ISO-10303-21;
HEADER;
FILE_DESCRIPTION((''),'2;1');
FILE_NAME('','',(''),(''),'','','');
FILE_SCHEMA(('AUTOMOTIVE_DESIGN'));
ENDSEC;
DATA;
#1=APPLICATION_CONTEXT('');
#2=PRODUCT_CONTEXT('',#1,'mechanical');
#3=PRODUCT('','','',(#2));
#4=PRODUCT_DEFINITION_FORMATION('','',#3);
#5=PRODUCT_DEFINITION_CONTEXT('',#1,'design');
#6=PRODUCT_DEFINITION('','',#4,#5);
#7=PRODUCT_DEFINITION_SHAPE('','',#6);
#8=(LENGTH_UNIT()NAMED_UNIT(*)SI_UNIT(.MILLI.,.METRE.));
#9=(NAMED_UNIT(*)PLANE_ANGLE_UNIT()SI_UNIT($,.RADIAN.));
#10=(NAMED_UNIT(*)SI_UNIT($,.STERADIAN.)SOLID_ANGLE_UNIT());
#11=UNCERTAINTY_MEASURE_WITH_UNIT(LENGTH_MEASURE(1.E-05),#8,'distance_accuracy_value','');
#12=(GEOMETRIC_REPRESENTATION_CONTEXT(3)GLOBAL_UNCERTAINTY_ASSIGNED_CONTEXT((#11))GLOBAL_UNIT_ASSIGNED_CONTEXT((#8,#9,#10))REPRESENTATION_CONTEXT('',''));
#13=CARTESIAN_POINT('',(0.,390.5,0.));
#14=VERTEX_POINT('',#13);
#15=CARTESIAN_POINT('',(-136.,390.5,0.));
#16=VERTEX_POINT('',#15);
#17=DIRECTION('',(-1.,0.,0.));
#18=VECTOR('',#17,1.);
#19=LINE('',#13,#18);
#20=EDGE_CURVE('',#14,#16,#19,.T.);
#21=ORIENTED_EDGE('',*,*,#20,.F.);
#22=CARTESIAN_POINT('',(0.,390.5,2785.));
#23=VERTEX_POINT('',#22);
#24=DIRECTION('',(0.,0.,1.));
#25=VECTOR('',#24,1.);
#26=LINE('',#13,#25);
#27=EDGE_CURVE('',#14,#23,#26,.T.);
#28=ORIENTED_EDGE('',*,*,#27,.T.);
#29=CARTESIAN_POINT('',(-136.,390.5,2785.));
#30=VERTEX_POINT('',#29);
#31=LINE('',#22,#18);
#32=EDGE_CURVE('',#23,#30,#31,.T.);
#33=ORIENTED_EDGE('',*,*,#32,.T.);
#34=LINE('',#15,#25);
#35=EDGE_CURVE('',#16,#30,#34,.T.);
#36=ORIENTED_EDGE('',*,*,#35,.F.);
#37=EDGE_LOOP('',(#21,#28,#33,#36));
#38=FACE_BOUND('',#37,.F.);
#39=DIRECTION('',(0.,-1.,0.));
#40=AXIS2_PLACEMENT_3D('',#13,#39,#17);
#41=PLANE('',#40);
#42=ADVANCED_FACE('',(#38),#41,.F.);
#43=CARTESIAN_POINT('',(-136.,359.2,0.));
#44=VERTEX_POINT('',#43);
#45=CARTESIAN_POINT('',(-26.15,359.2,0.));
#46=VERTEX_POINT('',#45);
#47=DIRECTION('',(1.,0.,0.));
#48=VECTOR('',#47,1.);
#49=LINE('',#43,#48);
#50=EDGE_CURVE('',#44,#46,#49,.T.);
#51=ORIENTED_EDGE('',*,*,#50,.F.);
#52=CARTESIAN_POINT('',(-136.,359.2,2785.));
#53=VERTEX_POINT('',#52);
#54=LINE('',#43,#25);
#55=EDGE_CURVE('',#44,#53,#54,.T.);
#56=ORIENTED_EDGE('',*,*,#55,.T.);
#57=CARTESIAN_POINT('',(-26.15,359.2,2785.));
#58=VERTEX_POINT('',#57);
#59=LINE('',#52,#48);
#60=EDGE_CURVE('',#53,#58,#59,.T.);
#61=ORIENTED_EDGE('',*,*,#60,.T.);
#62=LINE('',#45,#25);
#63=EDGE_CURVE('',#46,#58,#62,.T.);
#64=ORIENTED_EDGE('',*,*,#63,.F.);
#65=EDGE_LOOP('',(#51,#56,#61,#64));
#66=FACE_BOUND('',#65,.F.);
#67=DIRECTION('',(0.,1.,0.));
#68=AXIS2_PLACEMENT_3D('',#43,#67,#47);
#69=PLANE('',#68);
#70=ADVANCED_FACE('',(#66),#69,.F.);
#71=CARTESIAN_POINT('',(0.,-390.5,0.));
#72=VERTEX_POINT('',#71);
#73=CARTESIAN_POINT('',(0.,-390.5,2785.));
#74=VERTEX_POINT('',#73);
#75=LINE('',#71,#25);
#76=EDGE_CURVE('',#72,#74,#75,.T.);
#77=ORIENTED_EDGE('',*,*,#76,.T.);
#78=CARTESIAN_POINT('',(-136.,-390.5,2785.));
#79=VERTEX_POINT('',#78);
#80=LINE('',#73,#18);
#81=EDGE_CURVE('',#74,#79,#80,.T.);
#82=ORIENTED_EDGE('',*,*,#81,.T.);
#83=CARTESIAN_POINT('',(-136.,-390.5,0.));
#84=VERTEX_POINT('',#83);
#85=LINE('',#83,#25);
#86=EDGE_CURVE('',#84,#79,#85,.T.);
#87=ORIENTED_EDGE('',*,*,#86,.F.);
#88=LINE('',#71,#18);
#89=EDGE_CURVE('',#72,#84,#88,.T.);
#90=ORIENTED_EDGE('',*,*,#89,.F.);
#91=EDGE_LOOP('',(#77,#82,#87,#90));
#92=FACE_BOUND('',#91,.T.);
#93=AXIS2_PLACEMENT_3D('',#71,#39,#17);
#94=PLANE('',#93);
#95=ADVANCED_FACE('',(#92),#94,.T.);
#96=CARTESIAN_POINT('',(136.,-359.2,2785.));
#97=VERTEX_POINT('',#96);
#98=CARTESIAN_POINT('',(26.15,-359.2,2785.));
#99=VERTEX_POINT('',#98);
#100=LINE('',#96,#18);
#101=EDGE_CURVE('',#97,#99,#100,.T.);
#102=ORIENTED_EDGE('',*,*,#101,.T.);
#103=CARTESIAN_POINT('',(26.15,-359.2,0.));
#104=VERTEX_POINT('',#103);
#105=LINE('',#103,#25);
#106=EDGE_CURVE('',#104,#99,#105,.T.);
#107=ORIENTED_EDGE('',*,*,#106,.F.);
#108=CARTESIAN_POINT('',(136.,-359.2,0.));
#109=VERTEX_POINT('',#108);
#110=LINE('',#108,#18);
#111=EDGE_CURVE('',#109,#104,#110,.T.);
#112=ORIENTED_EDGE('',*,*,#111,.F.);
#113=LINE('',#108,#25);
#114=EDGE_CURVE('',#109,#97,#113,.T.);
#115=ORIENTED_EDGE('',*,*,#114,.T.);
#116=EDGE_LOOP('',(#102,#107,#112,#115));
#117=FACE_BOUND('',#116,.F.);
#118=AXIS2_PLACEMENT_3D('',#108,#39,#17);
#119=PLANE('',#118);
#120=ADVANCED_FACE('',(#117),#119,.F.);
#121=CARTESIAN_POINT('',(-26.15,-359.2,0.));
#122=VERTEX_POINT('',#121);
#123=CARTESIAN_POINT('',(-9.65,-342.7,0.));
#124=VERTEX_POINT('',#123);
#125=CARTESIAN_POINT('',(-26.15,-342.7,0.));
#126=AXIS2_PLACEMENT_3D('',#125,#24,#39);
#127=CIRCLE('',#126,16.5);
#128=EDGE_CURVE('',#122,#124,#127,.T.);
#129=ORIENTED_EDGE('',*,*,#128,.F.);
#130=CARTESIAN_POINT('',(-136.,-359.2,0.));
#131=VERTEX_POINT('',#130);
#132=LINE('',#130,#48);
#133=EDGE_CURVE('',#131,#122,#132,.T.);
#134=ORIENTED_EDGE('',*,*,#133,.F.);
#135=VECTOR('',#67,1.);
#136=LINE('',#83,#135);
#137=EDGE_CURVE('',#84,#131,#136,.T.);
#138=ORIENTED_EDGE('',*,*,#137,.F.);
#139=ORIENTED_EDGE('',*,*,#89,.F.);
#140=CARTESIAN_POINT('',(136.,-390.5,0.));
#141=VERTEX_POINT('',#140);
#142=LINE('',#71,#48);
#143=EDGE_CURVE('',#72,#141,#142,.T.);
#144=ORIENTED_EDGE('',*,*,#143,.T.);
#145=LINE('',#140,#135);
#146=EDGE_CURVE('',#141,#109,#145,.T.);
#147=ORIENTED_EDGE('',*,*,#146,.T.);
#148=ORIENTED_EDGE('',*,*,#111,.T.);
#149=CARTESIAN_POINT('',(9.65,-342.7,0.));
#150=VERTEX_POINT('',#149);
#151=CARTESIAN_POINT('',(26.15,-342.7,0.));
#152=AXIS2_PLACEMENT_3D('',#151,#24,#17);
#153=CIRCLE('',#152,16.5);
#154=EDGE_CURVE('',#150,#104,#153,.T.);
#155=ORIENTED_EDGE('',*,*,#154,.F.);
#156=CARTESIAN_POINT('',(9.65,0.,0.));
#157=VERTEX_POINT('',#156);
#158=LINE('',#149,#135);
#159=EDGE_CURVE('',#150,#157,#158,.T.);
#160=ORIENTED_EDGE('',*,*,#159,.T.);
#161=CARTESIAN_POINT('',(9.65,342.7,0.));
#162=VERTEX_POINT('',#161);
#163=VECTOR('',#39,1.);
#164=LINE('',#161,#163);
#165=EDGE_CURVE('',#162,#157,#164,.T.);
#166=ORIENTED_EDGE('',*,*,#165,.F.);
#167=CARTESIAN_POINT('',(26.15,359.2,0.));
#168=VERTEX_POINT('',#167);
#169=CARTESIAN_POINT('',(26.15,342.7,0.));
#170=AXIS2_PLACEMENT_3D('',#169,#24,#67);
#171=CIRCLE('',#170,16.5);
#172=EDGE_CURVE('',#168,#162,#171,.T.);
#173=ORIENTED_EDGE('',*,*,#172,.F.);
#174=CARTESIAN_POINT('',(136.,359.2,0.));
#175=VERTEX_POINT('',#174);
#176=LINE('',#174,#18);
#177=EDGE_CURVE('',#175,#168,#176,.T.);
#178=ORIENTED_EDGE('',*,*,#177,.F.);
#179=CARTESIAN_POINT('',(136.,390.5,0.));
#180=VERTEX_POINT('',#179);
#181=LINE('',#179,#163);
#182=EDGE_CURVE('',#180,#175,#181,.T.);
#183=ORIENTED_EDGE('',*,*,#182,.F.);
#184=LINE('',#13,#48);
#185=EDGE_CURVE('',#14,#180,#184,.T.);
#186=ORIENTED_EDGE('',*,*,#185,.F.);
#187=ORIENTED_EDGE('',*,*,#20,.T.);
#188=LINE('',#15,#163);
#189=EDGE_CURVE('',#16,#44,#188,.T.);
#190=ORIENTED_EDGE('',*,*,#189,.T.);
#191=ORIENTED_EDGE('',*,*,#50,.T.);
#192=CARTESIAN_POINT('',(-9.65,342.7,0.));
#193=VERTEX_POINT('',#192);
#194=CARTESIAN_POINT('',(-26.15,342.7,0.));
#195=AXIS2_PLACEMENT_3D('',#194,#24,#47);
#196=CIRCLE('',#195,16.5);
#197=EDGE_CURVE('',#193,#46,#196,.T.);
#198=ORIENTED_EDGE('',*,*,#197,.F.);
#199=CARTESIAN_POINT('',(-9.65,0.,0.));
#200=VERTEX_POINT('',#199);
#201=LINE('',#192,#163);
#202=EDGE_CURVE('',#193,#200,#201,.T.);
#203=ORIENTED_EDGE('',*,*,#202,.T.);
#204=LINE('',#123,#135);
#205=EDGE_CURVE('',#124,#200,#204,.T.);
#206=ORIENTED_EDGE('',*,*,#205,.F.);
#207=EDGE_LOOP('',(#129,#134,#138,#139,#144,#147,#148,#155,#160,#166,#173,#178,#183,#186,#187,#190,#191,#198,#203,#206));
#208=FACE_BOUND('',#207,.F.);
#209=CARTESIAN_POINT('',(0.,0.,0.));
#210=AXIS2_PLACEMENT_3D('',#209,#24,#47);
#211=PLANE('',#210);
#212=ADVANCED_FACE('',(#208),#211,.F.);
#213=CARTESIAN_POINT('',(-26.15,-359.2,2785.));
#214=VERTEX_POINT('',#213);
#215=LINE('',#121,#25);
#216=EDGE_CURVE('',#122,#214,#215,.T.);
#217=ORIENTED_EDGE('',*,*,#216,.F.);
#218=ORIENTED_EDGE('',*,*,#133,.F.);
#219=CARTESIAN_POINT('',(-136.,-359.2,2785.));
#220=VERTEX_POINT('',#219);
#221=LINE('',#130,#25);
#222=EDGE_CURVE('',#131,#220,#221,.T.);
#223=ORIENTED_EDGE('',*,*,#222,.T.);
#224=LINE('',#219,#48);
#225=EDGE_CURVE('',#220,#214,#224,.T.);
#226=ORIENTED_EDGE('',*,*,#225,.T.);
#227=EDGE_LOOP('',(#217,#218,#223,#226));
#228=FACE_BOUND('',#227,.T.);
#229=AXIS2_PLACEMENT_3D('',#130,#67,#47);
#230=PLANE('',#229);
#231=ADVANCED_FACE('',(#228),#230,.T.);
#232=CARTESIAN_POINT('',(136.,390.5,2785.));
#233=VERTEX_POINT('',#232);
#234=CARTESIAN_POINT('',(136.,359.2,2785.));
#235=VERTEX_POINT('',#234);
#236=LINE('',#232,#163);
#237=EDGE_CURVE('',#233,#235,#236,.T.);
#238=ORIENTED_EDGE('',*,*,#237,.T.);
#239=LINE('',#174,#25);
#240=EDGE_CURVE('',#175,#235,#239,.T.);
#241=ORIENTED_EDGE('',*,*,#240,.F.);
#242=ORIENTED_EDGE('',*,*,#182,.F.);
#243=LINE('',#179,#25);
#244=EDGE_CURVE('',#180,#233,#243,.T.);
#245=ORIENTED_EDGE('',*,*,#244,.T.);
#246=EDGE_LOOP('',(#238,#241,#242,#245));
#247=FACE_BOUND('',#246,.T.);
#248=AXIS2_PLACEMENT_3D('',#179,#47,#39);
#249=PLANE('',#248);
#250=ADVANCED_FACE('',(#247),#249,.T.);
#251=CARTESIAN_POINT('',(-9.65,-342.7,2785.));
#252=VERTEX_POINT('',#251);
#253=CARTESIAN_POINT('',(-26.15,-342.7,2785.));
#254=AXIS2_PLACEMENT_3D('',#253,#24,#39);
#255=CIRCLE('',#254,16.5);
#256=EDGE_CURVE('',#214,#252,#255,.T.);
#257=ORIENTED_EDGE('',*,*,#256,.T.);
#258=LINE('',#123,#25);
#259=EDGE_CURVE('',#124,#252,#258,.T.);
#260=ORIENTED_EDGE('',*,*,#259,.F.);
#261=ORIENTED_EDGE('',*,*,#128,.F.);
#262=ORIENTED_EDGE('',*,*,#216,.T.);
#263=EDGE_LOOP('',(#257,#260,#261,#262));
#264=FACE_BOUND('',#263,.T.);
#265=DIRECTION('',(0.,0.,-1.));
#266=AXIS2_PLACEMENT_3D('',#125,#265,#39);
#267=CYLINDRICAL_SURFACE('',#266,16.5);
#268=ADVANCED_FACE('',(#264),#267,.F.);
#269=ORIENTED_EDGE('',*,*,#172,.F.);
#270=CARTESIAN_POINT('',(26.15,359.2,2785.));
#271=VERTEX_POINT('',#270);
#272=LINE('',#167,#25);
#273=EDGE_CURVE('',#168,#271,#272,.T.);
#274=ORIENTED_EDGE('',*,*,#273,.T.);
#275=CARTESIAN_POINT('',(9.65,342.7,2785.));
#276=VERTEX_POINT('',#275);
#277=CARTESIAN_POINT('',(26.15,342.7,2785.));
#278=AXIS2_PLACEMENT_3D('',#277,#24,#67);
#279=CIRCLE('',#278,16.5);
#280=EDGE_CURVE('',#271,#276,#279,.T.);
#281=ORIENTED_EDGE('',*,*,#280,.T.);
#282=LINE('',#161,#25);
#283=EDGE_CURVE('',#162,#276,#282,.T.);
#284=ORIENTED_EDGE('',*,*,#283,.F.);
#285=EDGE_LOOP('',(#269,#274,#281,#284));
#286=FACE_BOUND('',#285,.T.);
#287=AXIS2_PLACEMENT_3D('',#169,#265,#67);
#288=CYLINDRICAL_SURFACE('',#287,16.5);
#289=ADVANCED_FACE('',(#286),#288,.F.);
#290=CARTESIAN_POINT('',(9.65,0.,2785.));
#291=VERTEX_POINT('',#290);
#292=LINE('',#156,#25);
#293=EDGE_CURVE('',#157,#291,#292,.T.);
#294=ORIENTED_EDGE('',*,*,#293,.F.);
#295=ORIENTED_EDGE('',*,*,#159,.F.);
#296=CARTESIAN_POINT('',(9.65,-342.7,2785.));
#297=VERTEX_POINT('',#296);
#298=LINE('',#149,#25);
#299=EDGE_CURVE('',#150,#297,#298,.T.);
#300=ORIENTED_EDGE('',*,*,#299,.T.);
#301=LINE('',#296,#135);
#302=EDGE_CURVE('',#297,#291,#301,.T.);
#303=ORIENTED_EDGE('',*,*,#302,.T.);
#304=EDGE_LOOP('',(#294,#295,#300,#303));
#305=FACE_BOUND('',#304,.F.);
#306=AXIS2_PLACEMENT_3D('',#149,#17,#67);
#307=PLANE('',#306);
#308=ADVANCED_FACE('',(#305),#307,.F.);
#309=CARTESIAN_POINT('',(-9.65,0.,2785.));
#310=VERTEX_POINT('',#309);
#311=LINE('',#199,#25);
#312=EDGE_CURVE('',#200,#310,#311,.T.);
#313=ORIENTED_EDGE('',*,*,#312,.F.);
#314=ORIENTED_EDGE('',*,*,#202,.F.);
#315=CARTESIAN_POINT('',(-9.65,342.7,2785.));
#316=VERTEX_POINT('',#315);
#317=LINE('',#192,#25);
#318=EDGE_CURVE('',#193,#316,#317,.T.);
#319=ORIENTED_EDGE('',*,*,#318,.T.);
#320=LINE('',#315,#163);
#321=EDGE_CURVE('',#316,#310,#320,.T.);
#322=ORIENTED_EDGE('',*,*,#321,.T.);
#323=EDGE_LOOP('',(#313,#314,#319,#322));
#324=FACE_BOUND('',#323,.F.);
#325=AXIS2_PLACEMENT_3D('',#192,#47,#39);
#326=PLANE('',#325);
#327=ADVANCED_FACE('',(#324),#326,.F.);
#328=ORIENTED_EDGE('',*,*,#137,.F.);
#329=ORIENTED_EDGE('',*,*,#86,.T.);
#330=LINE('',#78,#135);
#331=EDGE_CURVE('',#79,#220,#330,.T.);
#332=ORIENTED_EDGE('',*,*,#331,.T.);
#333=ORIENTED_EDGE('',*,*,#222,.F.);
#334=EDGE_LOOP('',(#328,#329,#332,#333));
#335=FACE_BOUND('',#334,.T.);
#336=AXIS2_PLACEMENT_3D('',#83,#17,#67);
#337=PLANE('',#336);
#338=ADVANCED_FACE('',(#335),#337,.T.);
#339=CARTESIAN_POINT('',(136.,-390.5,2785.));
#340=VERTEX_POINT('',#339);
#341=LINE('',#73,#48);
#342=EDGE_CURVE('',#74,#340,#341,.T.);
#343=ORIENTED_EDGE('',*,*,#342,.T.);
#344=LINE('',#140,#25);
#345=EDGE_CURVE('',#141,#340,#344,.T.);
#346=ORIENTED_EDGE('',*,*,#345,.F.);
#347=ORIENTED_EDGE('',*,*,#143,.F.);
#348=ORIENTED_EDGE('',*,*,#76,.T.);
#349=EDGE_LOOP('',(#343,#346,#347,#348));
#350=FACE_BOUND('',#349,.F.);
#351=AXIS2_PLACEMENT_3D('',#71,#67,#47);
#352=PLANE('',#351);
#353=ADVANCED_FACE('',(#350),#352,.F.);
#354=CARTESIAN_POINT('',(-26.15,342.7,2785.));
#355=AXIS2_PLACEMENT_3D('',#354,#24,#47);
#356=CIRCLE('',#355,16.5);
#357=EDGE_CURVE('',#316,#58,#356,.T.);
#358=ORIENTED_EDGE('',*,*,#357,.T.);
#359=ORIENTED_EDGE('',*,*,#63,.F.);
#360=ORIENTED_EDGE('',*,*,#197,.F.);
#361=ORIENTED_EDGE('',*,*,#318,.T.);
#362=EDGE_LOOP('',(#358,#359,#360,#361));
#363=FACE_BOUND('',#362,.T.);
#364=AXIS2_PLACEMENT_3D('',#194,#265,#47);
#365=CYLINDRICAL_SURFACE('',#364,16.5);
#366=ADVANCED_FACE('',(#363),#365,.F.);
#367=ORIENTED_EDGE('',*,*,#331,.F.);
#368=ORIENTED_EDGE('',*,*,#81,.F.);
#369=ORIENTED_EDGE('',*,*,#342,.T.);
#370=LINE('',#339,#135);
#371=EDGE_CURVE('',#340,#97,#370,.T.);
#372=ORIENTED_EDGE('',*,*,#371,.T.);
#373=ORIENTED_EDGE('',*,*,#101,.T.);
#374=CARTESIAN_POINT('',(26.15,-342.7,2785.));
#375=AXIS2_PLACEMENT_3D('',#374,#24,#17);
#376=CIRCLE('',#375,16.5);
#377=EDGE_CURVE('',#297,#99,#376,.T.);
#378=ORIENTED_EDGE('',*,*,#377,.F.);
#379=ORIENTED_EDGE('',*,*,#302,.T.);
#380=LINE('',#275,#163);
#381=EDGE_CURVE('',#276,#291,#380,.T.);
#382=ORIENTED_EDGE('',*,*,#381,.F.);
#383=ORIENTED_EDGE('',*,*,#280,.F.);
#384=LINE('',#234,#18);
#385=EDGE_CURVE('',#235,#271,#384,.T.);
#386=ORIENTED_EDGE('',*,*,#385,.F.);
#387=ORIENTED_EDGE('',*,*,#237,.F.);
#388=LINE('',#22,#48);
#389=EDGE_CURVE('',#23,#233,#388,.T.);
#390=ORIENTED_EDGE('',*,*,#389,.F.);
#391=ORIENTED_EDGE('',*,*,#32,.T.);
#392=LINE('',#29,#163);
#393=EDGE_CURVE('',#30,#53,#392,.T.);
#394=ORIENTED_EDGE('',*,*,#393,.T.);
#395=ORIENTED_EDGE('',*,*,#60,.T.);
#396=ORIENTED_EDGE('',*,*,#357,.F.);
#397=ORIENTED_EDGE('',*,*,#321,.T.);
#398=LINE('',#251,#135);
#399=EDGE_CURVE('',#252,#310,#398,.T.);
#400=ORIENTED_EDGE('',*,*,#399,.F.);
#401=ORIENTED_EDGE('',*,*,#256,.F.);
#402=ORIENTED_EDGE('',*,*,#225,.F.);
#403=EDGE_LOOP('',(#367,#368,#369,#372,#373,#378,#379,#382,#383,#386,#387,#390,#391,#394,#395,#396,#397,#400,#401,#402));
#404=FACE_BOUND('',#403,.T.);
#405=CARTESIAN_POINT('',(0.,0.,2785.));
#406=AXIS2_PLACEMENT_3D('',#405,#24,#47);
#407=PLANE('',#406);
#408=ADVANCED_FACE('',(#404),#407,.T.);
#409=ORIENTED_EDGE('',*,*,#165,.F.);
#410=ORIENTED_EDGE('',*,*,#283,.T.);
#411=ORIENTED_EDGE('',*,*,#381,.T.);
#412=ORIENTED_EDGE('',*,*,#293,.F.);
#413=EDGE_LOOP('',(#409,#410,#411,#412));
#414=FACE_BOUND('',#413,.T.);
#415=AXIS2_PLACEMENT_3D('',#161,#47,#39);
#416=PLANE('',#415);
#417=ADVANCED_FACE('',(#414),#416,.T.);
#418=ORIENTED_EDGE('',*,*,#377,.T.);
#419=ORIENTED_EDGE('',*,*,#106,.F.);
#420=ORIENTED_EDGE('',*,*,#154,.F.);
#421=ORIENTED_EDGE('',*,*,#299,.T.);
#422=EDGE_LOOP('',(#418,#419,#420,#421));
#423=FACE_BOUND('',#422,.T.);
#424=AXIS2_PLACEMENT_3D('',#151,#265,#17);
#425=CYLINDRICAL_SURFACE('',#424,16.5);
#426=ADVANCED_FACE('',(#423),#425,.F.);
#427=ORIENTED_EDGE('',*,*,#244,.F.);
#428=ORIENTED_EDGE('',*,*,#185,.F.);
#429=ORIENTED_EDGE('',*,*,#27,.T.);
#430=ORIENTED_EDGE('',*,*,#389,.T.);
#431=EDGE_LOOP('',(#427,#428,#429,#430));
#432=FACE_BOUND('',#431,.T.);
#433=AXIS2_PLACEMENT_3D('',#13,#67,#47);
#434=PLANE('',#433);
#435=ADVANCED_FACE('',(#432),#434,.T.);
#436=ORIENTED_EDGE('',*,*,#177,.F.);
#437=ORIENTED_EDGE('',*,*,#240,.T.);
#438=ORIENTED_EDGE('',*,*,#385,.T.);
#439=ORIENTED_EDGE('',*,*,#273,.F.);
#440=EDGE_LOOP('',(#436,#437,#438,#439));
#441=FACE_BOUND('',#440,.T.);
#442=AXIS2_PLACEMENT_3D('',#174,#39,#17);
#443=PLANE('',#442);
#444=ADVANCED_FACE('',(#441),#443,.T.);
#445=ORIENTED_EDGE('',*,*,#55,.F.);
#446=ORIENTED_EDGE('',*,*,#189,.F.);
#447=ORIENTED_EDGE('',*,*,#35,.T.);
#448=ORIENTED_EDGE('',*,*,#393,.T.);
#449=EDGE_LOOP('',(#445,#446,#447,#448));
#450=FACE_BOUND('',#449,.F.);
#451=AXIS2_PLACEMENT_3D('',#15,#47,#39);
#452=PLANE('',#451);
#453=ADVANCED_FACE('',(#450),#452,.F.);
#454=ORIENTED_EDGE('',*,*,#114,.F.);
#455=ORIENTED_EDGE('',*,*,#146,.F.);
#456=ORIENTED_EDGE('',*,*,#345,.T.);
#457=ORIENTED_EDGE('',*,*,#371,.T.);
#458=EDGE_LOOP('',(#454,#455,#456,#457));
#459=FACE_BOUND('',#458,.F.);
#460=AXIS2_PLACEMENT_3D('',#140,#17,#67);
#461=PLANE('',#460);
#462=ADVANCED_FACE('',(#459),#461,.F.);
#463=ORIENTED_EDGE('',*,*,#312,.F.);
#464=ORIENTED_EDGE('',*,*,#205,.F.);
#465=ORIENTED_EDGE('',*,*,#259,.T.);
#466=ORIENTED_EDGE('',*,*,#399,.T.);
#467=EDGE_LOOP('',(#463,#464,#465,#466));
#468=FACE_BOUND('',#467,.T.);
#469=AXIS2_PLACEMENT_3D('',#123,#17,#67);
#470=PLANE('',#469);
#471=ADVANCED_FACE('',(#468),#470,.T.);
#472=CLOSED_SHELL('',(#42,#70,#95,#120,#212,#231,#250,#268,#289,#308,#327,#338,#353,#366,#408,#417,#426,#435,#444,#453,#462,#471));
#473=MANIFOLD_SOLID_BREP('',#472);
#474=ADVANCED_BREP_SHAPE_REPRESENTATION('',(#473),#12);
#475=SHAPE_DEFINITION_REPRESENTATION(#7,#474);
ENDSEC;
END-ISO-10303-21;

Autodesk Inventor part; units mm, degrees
ref_plane "YZ Plane" through (0, 0, 0) normal (1, 0, 0) x (0, 1, 0)
ref_plane "Start plane" through (0, 0, 0) normal (0, 0, 1) x (1, 0, 0)
ref_plane "End plane" through (0, 0, 2785) normal (0, 0, 1) x (1, 0, 0)
sketch "Sketch" plane through (0, 0, 0) normal (0, 0, 1) x (1, 0, 0)
  line L0 (-136, -390.5) -> (-136, -359.2)
  line L1 (-136, -359.2) -> (-26.15, -359.2)
  line L2 (-9.65, -342.7) -> (-9.65, 0)
  line L3 (-9.65, 0) -> (0, 0) construction
  line L4 (0, 0) -> (0, -390.5) construction
  line L5 (0, -390.5) -> (-136, -390.5)
  line L6 (-60, 0) -> (80, 0) construction
  line L7 (0, -60) -> (0, 80) construction
  line L8 (136, -390.5) -> (136, -359.2)
  line L9 (136, -359.2) -> (26.15, -359.2)
  line L10 (9.65, -342.7) -> (9.65, 0)
  line L11 (9.65, 0) -> (0, 0) construction
  line L12 (0, -390.5) -> (136, -390.5)
  line L13 (-136, 390.5) -> (-136, 359.2)
  line L14 (-136, 359.2) -> (-26.15, 359.2)
  line L15 (-9.65, 342.7) -> (-9.65, 0)
  line L16 (0, 390.5) -> (-136, 390.5)
  line L17 (136, 390.5) -> (136, 359.2)
  line L18 (136, 359.2) -> (26.15, 359.2)
  line L19 (0, 390.5) -> (136, 390.5)
  line L20 (9.65, 342.7) -> (9.65, 0)
  arc A0 (-9.65, 342.7) -> (-26.15, 359.2) centre (-26.15, 342.7) ccw
  arc A1 (26.15, 359.2) -> (9.65, 342.7) centre (26.15, 342.7) ccw
  arc A2 (9.65, -342.7) -> (26.15, -359.2) centre (26.15, -342.7) ccw
  arc A3 (-26.15, -359.2) -> (-9.65, -342.7) centre (-26.15, -342.7) ccw
  line L21 (0, 108) -> (0, -88) construction
  line L22 (-88, 0) -> (108, 0) construction
  point P0 (-9.65, -359.2)
  point P1 (9.65, -359.2)
  point P2 (-9.65, 359.2)
  point P3 (9.65, 359.2)
  dimension "d1" = 390.5
  dimension "d2" = 31.3
  dimension "d3" = 136
  dimension "d4" = 9.65
  dimension "d10" = 16.5
extrude "Body" add sketch "Sketch" along normal up to surface (2785 mm away) from surface at 0
sketch "Sketch4" plane through (0, 0, 0) normal (0, 0, 1) x (1, 0, 0)
  line L0 (0, 0) -> (10, 0)
ref_plane "Work Plane3" through (0, 0, 0) normal (0, -1, 0) x (1, 0, 0)
sketch "Sketch5" plane through (0, 0, 0) normal (0, -1, 0) x (1, 0, 0)
  line L0 (-2, 0) -> (12, 0) projected
  line L1 (-2, 2785) -> (12, 2785) projected
  dimension "d14" = 2785
equation "\"d1\" = 0.5 * G_H"
equation "\"d2\" = G_T1"
equation "\"d3\" = 0.5 * G_W"
equation "\"d4\" = 0.5 * G_T"
equation "\"d10\" = G_IR"
equation "\"d5\" = G_L"
equation "\"G_W\" = 272"
equation "\"G_H\" = 781"
equation "\"G_T\" = 19.3"
equation "\"G_T1\" = 31.3"
equation "\"G_IR\" = 16.5"
equation "\"G_L\" = d14"
equation "\"G_OFFSET_START\" = 0"
equation "\"G_OFFSET_END\" = 0"
equation "\"d12\" = G_OFFSET_END + B_L"
equation "\"B_L\" = 2785"
properties part number "AS 3679-1990 - 760 UB - 244 - 2785" material "Steel, Mild"
